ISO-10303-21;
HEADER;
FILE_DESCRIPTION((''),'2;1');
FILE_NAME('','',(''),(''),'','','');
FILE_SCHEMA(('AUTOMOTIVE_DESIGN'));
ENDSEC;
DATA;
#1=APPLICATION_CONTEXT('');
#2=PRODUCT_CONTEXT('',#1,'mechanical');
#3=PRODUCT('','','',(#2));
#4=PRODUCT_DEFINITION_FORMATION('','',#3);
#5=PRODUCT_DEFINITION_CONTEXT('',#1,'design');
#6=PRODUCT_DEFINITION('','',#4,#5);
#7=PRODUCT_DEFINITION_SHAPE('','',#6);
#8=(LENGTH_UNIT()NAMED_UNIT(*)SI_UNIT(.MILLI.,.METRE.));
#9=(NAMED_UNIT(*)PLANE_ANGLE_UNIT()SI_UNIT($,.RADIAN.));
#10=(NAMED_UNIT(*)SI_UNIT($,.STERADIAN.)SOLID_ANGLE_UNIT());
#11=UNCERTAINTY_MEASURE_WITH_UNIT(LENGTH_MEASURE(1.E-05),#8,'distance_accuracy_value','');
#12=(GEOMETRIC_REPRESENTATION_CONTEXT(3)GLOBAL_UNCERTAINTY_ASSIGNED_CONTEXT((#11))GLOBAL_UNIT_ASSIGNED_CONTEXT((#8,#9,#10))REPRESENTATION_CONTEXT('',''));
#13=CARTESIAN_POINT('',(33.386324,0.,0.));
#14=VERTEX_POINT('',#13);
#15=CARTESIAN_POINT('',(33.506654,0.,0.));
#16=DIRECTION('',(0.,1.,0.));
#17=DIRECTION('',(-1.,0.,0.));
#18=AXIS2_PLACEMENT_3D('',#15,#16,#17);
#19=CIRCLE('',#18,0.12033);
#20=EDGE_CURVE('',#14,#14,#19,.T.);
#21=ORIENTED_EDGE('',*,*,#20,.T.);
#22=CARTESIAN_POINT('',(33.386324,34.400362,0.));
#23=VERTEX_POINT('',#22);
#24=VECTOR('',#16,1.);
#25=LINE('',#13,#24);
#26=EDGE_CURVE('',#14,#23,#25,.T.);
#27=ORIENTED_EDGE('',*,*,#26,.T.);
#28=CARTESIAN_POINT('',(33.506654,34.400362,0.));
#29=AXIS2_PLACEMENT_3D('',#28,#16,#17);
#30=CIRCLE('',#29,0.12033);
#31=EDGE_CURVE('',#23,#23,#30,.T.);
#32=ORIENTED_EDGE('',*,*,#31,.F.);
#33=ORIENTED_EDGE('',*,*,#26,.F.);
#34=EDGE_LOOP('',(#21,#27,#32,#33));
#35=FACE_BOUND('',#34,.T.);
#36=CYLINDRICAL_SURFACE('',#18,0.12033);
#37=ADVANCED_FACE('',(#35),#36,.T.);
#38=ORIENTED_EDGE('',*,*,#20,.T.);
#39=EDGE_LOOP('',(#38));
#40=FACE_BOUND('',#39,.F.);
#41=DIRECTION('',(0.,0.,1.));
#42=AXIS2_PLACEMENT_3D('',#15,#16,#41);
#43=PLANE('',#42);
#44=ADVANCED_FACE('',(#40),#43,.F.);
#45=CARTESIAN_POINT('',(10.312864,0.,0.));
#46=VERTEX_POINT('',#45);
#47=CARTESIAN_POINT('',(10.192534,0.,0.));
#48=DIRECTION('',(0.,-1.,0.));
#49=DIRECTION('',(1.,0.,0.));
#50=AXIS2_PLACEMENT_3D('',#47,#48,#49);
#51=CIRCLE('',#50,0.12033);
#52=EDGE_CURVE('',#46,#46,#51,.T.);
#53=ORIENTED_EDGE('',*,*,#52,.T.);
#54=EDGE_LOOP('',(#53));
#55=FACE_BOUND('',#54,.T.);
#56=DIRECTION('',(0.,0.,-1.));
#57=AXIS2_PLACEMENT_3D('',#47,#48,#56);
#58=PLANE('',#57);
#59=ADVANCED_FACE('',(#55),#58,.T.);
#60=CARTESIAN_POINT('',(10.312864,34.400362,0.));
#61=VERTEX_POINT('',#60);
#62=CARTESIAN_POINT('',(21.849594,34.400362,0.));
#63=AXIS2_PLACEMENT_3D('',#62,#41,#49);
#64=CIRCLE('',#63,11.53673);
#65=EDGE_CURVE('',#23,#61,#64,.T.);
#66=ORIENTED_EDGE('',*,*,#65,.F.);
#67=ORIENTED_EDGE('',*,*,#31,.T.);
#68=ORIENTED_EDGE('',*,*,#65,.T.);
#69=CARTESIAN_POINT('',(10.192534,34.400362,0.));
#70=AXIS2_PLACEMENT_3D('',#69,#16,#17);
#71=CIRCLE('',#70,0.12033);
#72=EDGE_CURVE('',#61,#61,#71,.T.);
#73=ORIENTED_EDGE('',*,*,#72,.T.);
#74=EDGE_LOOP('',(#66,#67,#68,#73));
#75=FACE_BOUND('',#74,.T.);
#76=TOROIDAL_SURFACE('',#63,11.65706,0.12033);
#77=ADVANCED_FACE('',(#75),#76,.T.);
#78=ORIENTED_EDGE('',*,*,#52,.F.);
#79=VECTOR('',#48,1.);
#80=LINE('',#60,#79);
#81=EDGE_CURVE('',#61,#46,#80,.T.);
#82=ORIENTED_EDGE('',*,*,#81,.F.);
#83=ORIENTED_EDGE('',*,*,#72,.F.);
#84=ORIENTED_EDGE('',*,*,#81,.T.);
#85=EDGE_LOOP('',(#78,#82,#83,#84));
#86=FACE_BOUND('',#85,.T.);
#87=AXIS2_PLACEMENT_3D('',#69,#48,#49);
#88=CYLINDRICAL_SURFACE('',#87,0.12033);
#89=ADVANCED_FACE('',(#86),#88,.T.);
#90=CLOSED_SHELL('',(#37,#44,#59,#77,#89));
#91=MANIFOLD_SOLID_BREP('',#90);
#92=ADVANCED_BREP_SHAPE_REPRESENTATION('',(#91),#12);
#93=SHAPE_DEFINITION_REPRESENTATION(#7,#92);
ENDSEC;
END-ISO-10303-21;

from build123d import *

# Parameters (mm, degrees)
SKETCH001_R = 0.12033


with BuildPart() as part:
    # AdditivePipe: sweep along a path in Sketch
    with BuildLine(Plane.XY) as additivepipe_path:
        Line((33.525893, 0), (33.525893, 34.400362))
        ThreePointArc((33.525893, 34.400362), (21.849594, 46.076661), (10.173295, 34.400362))
        Line((10.173295, 34.400362), (10.173295, 0))
    # Sketch001 (on XZ_Plane of Origin) → AdditivePipe (sweep)
    with BuildSketch(Plane.XZ):
        with Locations((10.192534, 0)):
            Circle(SKETCH001_R)
    sweep(path=additivepipe_path.line)


solid = part.part
